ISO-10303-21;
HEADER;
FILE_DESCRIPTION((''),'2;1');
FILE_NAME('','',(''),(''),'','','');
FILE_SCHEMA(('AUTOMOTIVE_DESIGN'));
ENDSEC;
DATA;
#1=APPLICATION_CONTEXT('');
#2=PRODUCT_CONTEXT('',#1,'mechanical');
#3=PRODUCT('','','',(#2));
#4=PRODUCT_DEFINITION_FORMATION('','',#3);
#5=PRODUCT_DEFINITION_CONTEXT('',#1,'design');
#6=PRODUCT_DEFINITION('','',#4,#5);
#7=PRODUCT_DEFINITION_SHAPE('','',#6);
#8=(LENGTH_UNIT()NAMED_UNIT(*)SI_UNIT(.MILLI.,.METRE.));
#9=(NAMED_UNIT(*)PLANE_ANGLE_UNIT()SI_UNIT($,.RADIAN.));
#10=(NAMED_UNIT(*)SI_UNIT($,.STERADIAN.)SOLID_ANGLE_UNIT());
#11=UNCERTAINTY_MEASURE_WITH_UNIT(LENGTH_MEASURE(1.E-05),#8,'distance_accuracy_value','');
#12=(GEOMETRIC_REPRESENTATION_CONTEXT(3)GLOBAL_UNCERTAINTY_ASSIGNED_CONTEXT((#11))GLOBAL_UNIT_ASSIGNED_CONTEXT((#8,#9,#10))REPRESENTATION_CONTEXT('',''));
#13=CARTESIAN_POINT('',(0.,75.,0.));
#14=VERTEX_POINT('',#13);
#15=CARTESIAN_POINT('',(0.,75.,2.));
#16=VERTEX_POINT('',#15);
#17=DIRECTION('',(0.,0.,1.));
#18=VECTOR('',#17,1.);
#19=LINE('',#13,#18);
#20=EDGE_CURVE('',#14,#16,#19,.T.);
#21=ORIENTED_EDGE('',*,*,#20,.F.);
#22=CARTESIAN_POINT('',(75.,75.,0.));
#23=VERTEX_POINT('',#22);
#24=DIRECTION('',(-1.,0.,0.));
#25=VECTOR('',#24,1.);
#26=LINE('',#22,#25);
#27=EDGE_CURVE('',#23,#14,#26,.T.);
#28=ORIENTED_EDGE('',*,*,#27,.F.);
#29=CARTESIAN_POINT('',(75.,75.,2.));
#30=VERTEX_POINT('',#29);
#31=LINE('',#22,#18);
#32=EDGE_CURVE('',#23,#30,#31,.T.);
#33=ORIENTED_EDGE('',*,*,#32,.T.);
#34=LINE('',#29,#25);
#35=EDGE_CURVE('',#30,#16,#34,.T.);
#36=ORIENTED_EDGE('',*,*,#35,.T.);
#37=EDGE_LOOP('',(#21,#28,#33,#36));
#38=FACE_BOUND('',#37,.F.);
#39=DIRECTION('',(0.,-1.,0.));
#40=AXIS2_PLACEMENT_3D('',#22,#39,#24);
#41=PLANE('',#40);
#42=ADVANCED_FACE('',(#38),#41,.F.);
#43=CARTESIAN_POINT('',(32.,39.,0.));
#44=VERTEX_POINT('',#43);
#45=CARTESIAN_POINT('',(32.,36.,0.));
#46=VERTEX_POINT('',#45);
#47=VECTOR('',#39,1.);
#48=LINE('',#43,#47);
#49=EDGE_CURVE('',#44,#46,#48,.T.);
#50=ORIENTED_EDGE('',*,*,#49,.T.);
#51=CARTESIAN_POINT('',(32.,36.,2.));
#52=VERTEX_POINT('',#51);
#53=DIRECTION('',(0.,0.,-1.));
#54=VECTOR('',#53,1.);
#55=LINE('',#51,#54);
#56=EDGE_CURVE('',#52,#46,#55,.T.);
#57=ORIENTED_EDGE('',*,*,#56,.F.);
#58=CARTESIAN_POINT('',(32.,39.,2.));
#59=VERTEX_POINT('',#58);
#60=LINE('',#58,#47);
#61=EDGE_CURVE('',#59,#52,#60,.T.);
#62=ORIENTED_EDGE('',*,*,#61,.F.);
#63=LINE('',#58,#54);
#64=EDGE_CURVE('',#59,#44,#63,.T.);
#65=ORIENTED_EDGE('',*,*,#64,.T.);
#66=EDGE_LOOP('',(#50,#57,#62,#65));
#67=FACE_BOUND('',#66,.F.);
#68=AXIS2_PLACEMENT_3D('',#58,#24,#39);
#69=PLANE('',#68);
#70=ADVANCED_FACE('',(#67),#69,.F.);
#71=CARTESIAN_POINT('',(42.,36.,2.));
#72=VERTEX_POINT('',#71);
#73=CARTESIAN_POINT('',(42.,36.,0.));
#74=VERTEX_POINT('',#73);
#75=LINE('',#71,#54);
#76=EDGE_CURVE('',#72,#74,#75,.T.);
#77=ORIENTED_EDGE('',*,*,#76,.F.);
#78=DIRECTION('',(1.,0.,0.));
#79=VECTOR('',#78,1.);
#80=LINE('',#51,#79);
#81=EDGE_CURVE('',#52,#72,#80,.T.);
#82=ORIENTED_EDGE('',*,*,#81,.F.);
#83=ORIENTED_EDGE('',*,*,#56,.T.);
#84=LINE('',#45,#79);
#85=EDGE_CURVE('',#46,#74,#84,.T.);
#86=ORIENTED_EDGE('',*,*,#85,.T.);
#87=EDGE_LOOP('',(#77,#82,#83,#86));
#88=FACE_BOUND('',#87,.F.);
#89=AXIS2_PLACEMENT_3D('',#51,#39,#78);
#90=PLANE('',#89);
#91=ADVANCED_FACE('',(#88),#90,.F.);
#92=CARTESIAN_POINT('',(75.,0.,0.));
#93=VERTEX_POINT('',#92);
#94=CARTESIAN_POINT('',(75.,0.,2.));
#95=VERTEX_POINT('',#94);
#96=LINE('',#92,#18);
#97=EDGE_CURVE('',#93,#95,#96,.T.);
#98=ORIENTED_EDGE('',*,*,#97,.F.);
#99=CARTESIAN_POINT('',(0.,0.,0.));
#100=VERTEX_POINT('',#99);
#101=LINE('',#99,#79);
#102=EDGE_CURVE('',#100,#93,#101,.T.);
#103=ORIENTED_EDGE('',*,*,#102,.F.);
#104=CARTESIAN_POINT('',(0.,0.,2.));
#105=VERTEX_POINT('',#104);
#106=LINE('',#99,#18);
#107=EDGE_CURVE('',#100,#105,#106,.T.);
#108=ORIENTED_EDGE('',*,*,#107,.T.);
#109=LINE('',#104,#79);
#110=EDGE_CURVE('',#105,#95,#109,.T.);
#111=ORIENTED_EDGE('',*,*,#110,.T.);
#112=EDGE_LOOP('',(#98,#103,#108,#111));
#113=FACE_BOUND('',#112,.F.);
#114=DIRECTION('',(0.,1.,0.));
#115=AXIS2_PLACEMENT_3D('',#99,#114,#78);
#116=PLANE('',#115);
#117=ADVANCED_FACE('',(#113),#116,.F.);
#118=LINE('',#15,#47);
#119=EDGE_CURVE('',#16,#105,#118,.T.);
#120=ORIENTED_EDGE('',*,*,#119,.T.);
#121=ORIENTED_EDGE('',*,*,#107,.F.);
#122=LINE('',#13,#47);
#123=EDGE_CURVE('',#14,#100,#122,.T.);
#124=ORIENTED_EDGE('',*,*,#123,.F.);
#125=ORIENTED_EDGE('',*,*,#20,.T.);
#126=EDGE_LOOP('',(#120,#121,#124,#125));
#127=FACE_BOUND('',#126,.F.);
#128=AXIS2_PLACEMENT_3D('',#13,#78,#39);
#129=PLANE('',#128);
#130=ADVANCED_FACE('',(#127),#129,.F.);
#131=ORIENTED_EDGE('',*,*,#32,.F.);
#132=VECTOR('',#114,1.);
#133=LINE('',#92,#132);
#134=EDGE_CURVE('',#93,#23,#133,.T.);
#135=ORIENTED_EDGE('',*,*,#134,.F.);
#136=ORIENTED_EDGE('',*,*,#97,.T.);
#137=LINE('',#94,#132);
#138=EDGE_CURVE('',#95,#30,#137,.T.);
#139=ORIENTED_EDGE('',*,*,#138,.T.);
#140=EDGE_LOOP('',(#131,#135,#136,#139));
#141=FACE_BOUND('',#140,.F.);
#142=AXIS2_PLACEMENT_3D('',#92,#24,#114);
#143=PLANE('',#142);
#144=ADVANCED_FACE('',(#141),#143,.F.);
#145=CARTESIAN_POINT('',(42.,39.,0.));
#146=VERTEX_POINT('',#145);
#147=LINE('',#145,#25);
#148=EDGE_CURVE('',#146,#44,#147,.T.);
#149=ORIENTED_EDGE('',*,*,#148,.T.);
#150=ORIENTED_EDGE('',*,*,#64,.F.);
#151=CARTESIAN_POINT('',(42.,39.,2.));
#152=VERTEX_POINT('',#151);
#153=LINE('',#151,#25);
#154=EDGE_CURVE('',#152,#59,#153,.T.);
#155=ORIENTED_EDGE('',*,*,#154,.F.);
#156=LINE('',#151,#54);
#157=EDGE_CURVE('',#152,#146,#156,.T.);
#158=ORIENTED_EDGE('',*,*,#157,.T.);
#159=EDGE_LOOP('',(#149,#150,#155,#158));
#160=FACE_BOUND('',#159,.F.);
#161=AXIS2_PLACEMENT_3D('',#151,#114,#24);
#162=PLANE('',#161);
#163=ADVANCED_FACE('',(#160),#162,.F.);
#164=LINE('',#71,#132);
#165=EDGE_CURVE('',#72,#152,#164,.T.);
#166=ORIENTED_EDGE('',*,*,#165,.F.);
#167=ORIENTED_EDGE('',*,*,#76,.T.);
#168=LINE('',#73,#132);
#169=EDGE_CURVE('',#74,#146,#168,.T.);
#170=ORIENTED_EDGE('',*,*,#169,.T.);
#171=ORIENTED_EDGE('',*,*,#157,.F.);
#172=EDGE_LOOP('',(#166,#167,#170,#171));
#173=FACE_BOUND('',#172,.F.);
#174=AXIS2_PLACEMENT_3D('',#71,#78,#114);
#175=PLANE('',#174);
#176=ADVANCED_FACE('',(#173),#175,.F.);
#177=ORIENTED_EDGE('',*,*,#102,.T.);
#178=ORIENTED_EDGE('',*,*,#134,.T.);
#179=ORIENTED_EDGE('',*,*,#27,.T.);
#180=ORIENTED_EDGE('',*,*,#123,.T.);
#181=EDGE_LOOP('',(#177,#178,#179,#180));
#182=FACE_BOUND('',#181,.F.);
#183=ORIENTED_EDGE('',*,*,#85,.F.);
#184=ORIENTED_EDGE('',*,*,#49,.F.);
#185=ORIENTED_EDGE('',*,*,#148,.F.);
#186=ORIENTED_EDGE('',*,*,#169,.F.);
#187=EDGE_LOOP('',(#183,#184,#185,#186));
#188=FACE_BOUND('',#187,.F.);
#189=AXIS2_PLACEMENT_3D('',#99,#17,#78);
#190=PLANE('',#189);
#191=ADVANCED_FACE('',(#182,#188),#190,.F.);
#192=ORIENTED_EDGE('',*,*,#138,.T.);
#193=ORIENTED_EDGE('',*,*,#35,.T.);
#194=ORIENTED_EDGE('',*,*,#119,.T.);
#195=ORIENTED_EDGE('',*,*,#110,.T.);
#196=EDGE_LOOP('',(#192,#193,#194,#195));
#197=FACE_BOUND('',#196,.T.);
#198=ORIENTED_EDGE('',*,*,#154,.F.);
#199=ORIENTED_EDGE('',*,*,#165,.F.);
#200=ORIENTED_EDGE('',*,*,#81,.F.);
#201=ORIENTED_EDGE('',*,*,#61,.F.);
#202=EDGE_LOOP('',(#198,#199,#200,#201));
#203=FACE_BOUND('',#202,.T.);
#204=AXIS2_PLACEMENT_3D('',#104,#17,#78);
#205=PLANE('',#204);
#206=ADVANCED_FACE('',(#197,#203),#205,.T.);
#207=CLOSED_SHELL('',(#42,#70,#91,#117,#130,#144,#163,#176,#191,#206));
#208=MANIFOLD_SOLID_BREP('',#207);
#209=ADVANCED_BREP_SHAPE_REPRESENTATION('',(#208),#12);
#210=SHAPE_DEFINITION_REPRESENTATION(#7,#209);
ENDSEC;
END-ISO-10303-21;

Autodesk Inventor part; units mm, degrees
ref_plane "YZ Plane" through (0, 0, 0) normal (1, 0, 0) x (0, 1, 0)
ref_plane "XZ Plane" through (0, 0, 0) normal (0, 1, 0) x (-1, 0, 0)
ref_plane "XY Plane" through (0, 0, 0) normal (0, 0, 1) x (1, 0, 0)
sketch "Esquisse1" plane through (0, 0, 0) normal (0, 0, 1) x (1, 0, 0)
  line L0 (0, 0) -> (75, 0)
  line L1 (75, 0) -> (75, 75)
  line L2 (75, 75) -> (0, 75)
  line L3 (0, 75) -> (0, 0)
  dimension "d0" = 75
  dimension "d1" = 75
extrude "Extrusion1" add sketch "Esquisse1" along normal blind 2
sketch "Esquisse2" plane through (0, 0, 2) normal (0, 0, 1) x (1, 0, 0)
  line L0 (32, 36) -> (42, 36)
  line L1 (42, 36) -> (42, 39)
  line L2 (42, 39) -> (32, 39)
  line L3 (32, 39) -> (32, 36)
  line L4 (0, 0) -> (75, 0) projected
  line L5 (0, 75) -> (0, 0) projected
  dimension "d4" = 10
  dimension "d5" = 3
  dimension "d6" = 36
  dimension "d7" = 32
extrude "Extrusion2" cut sketch "Esquisse2" against normal blind 2
properties part number "Pièce-moteur-vis_CPY1"
